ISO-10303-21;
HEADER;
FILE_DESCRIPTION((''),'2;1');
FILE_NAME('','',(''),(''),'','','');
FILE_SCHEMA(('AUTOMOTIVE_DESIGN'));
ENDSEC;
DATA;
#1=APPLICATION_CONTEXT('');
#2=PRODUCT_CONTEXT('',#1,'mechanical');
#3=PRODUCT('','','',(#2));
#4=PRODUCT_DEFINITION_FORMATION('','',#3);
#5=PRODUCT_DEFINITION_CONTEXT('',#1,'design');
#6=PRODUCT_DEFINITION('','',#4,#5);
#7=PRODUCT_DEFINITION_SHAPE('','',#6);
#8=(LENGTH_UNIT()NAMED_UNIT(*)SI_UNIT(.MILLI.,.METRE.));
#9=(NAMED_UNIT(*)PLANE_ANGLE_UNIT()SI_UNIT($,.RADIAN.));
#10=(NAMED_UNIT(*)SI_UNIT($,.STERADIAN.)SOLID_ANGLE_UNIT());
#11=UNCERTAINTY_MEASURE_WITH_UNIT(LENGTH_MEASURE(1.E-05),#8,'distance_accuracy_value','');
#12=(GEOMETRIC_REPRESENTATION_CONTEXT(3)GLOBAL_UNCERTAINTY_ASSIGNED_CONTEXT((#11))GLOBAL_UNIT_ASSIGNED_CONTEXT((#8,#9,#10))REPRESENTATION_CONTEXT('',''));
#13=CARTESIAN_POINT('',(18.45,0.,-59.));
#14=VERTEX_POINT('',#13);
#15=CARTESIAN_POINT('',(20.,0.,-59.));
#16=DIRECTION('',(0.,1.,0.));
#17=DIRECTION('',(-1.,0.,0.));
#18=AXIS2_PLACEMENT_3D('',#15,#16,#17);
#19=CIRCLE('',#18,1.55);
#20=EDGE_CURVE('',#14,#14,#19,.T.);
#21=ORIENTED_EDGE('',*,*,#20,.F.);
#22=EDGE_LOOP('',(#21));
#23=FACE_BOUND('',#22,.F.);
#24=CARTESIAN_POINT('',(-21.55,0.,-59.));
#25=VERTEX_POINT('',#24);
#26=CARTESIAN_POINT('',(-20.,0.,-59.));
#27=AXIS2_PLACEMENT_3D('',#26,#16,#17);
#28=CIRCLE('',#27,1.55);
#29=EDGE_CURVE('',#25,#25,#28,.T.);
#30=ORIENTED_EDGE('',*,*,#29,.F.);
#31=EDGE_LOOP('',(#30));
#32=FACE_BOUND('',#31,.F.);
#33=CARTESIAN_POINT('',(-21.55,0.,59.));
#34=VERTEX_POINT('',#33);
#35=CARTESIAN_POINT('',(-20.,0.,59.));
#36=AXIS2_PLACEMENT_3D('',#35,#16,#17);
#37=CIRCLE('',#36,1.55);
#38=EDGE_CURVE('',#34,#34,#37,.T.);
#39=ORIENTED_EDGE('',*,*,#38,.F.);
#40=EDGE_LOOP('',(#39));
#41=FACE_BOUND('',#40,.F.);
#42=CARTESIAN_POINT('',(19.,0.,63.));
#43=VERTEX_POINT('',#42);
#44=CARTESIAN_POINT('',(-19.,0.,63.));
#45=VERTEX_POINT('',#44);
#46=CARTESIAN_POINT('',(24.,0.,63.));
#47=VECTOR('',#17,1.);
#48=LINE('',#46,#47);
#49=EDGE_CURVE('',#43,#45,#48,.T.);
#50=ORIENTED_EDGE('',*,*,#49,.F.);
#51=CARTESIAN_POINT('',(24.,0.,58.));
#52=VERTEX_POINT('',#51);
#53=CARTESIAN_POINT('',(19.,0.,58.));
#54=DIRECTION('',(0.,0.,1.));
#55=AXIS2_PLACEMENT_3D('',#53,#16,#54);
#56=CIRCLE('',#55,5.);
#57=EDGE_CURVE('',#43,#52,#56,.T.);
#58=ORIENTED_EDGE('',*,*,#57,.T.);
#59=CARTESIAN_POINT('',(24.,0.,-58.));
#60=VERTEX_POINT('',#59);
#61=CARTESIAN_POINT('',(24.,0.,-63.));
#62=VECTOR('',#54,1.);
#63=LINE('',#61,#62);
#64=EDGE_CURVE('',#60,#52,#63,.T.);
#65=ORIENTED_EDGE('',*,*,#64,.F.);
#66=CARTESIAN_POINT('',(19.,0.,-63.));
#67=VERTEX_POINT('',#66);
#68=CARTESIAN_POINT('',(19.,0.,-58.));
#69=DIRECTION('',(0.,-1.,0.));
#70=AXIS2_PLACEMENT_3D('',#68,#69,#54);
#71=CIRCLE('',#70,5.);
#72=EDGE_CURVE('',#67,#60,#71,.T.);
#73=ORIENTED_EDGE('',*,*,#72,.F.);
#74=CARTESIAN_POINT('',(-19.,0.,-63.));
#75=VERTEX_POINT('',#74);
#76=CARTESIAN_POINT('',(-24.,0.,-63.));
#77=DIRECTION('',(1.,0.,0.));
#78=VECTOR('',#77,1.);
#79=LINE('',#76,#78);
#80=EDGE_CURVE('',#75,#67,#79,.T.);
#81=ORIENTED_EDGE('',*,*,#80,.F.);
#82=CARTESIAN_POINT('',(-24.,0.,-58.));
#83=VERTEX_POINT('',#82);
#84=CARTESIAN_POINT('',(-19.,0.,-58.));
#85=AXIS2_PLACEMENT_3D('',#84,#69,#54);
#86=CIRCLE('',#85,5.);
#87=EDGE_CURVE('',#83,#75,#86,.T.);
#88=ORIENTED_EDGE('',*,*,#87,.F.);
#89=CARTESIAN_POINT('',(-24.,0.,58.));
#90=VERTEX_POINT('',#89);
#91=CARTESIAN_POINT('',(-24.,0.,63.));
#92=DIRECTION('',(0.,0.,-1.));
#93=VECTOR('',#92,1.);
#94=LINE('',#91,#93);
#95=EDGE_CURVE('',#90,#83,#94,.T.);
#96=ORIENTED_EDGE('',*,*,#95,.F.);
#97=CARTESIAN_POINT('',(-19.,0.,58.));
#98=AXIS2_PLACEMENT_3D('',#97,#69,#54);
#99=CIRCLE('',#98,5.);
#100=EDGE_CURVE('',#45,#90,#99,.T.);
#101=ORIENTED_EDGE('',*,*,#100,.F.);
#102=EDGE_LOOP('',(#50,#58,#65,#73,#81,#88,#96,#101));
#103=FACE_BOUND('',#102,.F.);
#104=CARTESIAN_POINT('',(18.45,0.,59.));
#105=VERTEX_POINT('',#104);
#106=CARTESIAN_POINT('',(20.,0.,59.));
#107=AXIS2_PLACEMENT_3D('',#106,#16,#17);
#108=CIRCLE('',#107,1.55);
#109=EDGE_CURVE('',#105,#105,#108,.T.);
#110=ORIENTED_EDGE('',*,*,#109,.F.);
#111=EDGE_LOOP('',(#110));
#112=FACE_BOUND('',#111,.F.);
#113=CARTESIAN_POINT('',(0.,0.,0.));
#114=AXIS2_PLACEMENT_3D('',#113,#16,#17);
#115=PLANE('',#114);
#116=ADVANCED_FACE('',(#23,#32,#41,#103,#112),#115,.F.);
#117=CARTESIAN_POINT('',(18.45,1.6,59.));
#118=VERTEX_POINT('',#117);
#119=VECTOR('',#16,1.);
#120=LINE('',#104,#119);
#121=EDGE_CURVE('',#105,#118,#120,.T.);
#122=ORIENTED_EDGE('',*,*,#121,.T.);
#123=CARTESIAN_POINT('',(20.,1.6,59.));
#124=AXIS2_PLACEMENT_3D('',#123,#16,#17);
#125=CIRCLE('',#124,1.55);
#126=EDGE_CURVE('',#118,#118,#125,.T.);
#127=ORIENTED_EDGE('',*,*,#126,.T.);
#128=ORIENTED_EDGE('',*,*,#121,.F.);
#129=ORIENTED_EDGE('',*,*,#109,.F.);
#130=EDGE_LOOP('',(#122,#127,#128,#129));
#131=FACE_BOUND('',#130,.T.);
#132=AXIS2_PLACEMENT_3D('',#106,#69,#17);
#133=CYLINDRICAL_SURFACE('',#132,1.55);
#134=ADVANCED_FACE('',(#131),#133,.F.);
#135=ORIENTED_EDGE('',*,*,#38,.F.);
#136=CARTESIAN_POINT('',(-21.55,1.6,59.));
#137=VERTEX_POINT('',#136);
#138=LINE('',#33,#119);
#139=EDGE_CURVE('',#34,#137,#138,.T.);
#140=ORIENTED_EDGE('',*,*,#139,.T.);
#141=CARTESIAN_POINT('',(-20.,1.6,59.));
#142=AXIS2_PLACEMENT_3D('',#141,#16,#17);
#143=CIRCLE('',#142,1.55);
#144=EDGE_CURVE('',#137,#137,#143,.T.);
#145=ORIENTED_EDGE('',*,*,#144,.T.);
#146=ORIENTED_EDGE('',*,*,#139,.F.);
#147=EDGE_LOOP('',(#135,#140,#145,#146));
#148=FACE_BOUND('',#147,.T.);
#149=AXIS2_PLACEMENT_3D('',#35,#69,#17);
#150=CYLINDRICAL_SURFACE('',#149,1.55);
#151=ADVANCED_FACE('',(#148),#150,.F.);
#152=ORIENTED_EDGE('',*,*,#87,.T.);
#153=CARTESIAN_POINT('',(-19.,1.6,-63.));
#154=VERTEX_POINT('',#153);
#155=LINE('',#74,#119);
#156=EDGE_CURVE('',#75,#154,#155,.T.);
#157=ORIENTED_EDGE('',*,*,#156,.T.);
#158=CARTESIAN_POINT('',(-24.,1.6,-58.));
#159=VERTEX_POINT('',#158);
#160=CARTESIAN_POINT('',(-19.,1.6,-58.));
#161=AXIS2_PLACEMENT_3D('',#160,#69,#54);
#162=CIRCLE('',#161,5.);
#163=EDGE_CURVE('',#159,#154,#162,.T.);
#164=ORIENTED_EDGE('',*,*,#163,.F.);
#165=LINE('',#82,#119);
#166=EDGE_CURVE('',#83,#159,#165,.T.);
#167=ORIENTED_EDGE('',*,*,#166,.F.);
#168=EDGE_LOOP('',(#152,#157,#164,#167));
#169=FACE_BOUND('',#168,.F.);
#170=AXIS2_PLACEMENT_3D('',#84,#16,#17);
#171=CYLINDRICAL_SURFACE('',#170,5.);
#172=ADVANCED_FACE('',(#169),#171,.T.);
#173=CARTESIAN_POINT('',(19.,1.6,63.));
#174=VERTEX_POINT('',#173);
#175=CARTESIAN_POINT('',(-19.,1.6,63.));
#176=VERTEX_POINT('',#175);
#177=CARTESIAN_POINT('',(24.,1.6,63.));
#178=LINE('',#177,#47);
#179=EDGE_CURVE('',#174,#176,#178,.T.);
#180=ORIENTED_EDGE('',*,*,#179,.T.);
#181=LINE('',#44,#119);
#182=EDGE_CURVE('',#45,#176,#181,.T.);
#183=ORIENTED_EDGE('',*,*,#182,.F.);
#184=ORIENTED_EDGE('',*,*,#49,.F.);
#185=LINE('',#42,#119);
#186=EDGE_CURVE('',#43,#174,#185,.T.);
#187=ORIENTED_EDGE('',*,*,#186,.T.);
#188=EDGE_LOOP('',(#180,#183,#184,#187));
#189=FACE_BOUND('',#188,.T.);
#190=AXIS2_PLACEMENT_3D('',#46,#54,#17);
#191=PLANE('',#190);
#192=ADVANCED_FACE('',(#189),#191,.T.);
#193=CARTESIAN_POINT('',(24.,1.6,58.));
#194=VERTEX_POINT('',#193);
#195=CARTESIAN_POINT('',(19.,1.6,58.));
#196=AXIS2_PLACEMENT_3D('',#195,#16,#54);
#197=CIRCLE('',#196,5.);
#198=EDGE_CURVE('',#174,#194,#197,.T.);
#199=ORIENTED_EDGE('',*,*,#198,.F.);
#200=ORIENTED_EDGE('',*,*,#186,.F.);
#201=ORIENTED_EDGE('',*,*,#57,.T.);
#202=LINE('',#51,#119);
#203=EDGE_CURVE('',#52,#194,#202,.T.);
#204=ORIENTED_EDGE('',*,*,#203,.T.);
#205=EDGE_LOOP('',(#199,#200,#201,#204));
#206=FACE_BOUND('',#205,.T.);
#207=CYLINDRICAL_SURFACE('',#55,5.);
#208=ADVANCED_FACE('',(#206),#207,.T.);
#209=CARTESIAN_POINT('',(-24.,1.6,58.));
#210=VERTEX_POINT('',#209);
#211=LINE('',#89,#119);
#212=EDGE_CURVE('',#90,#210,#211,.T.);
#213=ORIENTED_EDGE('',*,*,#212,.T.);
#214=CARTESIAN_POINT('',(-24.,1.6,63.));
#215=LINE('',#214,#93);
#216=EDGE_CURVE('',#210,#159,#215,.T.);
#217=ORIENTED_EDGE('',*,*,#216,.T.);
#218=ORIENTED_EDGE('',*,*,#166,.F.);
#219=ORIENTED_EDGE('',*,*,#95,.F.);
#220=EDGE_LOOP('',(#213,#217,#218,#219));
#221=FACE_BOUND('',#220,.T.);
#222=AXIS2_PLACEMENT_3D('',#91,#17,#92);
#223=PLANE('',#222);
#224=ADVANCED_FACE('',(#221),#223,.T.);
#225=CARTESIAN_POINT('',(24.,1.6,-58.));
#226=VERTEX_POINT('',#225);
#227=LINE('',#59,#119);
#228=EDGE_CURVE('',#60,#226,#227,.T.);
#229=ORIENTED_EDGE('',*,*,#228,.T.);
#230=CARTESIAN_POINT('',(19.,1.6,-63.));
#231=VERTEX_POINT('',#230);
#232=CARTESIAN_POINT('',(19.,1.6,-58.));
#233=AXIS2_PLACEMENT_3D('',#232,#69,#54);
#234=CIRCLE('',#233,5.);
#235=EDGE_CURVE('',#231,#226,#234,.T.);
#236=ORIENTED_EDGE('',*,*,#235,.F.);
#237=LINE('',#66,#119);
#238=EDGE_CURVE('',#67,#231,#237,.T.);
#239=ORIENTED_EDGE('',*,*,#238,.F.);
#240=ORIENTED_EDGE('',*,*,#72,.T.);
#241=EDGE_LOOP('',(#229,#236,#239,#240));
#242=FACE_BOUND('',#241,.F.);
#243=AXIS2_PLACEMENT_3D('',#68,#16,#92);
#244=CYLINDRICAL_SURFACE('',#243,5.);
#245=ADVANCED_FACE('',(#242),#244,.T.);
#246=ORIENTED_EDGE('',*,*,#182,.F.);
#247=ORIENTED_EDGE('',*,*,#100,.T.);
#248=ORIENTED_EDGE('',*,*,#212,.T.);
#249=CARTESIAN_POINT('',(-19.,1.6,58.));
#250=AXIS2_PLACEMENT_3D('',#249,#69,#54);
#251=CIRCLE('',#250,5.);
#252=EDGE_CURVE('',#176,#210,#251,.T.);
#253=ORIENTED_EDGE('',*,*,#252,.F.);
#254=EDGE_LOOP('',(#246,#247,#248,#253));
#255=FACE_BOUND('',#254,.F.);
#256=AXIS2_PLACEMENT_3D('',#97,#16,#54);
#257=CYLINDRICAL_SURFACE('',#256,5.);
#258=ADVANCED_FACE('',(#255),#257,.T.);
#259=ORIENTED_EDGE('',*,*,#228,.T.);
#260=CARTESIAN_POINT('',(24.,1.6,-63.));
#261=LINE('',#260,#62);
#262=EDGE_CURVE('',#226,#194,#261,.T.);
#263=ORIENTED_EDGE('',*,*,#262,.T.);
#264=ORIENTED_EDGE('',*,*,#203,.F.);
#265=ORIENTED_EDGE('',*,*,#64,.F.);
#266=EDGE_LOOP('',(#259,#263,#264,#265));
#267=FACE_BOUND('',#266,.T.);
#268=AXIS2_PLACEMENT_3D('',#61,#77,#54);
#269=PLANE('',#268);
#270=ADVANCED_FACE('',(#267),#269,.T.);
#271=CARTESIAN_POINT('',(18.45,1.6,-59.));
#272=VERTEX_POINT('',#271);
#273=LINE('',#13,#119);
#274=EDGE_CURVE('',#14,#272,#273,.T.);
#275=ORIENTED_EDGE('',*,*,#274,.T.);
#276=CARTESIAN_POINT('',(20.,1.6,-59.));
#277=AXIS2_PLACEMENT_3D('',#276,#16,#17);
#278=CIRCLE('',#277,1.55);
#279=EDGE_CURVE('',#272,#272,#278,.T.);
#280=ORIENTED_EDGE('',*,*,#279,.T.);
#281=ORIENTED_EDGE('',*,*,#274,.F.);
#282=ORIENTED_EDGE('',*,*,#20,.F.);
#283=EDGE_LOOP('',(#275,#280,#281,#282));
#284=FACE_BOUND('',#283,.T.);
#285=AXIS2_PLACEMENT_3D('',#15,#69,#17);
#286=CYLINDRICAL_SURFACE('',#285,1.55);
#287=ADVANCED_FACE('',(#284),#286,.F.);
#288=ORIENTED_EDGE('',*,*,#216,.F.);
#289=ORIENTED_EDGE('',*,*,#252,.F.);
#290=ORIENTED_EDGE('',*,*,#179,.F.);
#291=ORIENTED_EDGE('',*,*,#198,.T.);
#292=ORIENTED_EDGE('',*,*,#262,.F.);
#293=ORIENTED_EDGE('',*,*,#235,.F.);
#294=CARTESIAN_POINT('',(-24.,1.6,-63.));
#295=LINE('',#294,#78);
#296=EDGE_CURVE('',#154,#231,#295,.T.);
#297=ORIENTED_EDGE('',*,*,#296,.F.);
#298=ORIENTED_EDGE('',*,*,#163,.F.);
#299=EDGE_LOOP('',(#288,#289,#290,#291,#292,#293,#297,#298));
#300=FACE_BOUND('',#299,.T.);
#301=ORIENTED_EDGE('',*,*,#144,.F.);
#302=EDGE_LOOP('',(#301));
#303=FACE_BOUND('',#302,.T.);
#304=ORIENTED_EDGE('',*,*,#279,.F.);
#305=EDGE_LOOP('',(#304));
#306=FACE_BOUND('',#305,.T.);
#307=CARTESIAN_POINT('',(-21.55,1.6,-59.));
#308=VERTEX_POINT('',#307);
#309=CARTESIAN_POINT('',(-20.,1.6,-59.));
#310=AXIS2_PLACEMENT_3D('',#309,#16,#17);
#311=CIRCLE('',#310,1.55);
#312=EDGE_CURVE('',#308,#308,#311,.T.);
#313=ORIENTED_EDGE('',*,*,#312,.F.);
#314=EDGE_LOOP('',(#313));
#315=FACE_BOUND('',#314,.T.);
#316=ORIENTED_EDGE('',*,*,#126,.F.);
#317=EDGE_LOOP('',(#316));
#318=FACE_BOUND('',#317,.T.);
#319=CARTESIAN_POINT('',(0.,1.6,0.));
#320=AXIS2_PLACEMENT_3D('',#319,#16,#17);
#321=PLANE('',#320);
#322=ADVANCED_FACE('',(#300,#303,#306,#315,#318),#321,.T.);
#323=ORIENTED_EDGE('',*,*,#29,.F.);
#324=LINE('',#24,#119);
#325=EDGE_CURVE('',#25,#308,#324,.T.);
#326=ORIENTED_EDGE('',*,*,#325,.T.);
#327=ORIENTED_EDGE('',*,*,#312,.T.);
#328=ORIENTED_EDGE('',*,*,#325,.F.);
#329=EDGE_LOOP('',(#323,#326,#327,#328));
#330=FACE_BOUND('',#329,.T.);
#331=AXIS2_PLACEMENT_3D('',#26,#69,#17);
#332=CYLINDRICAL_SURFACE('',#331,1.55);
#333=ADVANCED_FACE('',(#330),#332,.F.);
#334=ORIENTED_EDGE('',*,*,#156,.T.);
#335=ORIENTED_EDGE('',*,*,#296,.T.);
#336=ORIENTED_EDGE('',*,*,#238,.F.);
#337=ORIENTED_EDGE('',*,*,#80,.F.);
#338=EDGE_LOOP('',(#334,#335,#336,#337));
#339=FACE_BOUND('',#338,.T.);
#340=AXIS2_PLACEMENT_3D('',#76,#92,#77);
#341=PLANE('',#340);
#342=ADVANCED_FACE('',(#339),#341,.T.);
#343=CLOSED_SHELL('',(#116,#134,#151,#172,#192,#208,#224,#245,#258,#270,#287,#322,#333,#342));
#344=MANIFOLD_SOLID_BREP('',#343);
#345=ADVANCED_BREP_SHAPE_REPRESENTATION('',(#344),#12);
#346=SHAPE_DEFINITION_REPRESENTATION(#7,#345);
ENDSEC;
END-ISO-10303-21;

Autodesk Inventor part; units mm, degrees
ref_plane "YZ Plane" through (0, 0, 0) normal (1, 0, 0) x (0, 1, 0)
ref_plane "XZ Plane" through (0, 0, 0) normal (0, 1, 0) x (-1, 0, 0)
ref_plane "XY Plane" through (0, 0, 0) normal (0, 0, 1) x (1, 0, 0)
sketch "Sketch1" plane through (0, 0, 0) normal (0, 1, 0) x (-1, 0, 0)
  line L0 (-24, 63) -> (24, 63)
  line L1 (24, 63) -> (24, -63)
  line L2 (24, -63) -> (-24, -63)
  line L3 (-24, -63) -> (-24, 63)
  line L4 (-24, 63) -> (24, -63) construction
  line L5 (24, 63) -> (-24, -63) construction
  line L6 (-20, 59) -> (20, 59) construction
  line L7 (20, 59) -> (20, -59) construction
  line L8 (20, -59) -> (-20, -59) construction
  line L9 (-20, -59) -> (-20, 59) construction
  line L10 (-20, 59) -> (20, -59) construction
  line L11 (20, 59) -> (-20, -59) construction
  circle A0 centre (20, 59) radius 1.55
  circle A1 centre (20, -59) radius 1.55
  circle A2 centre (-20, -59) radius 1.55
  circle A3 centre (-20, 59) radius 1.55
  point P0 (0, 0)
  dimension "d0" = 126
  dimension "d1" = 48
  dimension "d2" = 3.1
  dimension "d3" = 4
  dimension "d4" = 4
  dimension "d5" = 3.1
  dimension "d6" = 3.1
  dimension "d7" = 3.1
extrude "Extrusion1" add sketch "Sketch1" along normal blind 1.6
fillet "Fillet1" radius 5 4 edges at (24, 0.8, -63) (-24, 0.8, -63) (24, 0.8, 63) (-24, 0.8, 63)
equation "\"d5\" = d2"
equation "\"d6\" = d2"
equation "\"d7\" = d2"
properties part number "Control_PCB"
